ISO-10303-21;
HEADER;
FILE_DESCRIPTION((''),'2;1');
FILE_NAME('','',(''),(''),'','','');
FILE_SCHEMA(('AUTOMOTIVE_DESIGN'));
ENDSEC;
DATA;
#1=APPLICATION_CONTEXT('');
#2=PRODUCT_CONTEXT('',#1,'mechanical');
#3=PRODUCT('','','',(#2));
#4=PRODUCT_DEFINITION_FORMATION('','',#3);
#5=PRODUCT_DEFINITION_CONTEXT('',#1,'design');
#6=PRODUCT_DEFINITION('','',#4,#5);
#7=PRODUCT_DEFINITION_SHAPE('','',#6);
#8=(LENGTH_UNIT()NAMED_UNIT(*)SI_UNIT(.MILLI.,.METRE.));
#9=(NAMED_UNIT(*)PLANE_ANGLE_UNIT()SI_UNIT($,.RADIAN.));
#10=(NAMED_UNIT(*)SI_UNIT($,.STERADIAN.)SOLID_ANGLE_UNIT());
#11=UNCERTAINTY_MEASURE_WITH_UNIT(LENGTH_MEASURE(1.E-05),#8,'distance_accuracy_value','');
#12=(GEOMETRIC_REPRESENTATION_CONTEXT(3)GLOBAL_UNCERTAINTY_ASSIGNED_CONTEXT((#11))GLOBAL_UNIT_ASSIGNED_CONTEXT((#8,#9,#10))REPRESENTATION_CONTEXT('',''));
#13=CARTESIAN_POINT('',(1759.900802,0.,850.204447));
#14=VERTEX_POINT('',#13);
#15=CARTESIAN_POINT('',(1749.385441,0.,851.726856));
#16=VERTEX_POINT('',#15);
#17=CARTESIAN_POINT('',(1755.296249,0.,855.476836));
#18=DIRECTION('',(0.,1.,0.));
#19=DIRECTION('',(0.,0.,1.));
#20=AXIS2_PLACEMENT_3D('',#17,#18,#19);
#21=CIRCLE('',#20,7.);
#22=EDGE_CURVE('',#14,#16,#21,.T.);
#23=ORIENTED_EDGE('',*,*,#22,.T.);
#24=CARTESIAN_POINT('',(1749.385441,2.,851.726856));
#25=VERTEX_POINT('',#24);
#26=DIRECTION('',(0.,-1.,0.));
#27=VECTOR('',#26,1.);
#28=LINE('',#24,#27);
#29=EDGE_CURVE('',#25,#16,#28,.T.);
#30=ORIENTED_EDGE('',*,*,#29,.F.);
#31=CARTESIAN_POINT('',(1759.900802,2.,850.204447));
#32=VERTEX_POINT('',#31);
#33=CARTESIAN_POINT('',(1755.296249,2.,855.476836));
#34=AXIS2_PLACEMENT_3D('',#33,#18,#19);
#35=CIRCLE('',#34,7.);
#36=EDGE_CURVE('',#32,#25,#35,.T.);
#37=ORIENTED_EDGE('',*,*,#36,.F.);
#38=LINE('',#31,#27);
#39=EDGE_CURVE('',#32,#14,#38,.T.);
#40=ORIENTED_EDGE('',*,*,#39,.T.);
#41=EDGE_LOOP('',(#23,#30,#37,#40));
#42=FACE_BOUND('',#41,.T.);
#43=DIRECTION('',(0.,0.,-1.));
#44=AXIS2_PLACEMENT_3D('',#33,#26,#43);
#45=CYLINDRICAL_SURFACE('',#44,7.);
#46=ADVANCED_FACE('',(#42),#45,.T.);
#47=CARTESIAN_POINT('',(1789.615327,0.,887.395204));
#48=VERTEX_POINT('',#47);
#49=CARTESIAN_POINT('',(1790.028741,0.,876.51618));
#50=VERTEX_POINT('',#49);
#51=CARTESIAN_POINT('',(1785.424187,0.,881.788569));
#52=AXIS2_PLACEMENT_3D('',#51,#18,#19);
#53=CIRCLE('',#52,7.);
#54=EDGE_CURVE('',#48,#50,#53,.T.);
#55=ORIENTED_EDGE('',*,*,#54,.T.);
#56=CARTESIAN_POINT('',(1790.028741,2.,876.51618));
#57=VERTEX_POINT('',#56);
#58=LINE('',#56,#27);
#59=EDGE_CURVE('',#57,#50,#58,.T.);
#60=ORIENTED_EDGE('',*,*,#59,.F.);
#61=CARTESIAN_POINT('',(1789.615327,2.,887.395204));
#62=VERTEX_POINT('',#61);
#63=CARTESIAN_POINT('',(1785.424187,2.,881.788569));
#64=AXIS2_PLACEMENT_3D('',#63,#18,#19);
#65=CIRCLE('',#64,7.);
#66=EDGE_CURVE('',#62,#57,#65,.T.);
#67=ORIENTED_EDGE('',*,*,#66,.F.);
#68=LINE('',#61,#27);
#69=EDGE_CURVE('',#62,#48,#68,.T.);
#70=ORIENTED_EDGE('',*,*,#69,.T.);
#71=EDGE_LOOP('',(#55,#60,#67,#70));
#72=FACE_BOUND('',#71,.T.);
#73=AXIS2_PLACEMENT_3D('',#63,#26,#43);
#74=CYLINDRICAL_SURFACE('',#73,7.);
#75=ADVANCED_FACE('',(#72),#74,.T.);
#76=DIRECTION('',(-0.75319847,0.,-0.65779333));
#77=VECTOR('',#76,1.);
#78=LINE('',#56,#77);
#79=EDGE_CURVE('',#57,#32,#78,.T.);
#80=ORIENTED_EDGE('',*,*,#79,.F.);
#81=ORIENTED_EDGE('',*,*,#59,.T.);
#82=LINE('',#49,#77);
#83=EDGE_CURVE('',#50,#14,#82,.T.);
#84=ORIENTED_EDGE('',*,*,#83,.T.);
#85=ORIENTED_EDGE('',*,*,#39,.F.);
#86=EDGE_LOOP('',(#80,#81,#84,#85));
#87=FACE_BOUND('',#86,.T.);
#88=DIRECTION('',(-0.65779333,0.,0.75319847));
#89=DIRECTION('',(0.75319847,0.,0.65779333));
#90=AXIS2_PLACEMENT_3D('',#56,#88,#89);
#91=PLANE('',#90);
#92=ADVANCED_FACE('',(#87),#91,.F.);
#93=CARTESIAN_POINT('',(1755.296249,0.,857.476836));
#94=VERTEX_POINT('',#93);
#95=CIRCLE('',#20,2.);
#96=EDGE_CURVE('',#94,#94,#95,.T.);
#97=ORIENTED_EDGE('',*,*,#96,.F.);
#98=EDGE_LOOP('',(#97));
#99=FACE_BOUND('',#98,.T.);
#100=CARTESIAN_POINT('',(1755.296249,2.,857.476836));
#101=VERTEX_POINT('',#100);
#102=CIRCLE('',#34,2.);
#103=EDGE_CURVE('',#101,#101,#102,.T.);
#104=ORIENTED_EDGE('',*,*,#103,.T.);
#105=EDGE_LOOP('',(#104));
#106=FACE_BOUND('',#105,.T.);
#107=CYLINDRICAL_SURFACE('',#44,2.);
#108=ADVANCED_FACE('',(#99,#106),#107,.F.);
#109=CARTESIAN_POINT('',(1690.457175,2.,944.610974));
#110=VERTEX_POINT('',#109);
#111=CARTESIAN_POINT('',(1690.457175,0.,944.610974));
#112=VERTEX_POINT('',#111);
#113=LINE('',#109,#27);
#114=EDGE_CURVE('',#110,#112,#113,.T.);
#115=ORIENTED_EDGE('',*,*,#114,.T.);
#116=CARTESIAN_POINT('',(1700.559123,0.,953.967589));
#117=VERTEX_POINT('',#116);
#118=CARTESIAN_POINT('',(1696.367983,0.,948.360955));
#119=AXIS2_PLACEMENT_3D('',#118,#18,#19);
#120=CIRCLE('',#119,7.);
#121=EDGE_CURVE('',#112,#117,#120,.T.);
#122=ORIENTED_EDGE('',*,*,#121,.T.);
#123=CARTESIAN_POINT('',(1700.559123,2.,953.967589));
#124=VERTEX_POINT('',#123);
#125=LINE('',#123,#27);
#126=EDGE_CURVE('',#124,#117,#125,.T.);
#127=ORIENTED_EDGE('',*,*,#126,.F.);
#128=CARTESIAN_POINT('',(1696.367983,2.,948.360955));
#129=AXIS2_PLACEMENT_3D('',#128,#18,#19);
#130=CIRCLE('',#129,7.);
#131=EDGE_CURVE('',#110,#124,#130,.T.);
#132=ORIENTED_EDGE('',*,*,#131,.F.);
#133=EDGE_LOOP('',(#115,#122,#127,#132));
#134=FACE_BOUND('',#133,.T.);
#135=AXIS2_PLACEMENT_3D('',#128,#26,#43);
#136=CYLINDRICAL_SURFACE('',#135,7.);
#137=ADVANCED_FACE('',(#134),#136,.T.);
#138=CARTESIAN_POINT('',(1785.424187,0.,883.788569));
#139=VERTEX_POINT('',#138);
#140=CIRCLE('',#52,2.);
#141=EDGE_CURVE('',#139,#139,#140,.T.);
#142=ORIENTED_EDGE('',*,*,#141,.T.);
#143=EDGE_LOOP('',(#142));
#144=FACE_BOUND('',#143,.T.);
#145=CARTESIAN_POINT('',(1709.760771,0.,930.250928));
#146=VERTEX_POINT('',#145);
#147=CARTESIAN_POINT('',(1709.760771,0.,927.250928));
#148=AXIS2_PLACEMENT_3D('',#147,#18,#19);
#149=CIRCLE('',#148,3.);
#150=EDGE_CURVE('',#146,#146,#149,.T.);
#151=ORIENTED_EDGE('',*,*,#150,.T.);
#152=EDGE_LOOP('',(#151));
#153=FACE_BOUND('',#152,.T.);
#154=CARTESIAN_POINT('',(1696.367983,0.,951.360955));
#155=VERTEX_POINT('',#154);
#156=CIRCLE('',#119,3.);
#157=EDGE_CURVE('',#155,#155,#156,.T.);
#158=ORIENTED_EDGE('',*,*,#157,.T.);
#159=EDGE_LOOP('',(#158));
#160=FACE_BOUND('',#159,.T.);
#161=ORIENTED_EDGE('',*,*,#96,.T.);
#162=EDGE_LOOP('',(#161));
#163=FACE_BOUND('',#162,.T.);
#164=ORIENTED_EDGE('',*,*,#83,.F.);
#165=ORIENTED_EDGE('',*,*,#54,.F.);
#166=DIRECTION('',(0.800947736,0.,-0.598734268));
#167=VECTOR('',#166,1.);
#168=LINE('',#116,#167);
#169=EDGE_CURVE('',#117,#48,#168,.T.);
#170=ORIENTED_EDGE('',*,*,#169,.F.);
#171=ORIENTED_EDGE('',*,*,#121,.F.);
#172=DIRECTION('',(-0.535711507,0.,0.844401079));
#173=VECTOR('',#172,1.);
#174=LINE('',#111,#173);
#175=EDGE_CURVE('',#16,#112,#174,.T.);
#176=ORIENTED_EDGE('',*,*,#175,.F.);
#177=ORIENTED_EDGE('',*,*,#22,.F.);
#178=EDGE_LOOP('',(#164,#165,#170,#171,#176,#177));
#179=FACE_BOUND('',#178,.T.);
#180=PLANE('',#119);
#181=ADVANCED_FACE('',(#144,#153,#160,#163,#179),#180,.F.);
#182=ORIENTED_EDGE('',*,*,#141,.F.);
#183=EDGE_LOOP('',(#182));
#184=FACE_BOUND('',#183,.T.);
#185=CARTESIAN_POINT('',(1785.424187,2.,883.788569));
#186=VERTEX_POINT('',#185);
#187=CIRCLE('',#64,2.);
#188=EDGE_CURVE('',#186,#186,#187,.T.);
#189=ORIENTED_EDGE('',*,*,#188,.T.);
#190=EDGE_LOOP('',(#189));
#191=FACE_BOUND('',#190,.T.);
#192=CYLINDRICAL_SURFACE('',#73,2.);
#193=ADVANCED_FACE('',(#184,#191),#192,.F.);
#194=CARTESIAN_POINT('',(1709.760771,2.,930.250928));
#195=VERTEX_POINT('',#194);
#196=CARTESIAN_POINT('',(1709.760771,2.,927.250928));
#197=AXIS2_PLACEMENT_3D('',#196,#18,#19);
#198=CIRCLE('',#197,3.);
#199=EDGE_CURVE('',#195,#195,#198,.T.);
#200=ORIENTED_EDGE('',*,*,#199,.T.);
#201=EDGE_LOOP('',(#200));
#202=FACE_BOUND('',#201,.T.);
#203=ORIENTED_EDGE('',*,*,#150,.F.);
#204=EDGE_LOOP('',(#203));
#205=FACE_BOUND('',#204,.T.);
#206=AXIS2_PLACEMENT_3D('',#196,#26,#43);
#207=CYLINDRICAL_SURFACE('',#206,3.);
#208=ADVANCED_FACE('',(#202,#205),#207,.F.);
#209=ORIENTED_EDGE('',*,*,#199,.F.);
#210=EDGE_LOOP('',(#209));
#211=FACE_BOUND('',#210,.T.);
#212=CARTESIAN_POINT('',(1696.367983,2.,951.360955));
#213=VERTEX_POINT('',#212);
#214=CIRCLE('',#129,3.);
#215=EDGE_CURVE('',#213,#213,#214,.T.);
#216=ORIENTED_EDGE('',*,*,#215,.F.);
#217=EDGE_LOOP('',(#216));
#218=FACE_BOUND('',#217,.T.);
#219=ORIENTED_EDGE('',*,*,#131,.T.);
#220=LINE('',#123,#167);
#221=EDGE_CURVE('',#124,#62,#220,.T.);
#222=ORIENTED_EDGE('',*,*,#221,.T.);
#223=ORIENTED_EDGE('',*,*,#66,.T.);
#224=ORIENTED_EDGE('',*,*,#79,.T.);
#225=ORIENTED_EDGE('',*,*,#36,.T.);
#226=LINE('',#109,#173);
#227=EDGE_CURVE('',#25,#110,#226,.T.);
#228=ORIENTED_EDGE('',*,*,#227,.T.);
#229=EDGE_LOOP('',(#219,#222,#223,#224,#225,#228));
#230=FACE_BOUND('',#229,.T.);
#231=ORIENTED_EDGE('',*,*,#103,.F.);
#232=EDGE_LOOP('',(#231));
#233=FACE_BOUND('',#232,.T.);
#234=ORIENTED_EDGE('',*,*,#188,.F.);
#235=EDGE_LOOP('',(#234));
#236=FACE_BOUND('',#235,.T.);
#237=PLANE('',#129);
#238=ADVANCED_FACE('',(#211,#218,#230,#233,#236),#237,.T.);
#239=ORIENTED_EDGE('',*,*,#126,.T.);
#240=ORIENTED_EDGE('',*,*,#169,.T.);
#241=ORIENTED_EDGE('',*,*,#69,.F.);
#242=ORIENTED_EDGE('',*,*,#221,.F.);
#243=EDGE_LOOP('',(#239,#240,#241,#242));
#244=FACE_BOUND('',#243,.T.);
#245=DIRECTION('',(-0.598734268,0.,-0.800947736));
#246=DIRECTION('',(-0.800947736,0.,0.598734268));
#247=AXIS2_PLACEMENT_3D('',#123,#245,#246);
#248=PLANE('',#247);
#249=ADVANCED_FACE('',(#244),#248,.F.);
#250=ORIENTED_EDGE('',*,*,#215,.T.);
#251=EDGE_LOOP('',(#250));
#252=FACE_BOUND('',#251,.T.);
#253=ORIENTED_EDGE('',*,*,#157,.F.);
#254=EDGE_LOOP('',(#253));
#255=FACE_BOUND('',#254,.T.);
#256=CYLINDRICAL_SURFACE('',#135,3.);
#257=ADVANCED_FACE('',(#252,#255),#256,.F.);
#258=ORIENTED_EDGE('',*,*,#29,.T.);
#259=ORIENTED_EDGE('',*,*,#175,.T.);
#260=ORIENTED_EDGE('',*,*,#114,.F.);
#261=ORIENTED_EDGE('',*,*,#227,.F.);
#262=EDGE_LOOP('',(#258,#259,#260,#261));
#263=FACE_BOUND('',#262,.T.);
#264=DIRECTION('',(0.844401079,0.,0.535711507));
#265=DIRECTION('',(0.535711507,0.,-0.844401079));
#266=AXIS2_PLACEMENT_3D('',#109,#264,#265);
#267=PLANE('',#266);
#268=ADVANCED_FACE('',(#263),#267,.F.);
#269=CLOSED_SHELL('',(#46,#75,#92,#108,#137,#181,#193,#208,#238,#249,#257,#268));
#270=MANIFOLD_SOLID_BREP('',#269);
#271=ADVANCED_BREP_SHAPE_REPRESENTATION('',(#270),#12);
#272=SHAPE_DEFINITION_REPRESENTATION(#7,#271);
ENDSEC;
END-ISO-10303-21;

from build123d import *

# Parameters (mm, degrees)
SZKIC1_R                    = 2
SZKIC1_R_2                  = 3
DODANIE_WYCI_GNI_CIE1_DEPTH = 2


with BuildPart() as part:
    # Szkic1 → Dodanie-wyciągnięcie1 (new body)
    with BuildSketch(Plane(origin=(0, 0, 0), x_dir=(1, 0, 0), z_dir=(0, 1, 0))):
        with BuildLine():
            Line((1700.559122815, -953.967589017), (1789.615327329, -887.395203569))
            ThreePointArc((1789.615327329, -887.395203569), (1792.419138662, -882.05438434), (1790.028740764, -876.516180127))
            Line((1790.028740764, -876.516180127), (1759.900801977, -850.204446919))
            ThreePointArc((1759.900801977, -850.204446919), (1754.293249598, -848.549066517), (1749.385441114, -851.726855661))
            Line((1749.385441114, -851.726855661), (1690.457175388, -944.610974317))
            ThreePointArc((1690.457175388, -944.610974317), (1691.611316681, -953.496529428), (1700.559122815, -953.967589017))
        make_face()
        with Locations((1755.296248665, -855.476836207)):
            Circle(SZKIC1_R, mode=Mode.SUBTRACT)
        with Locations((1785.424187453, -881.788569415)):
            Circle(SZKIC1_R, mode=Mode.SUBTRACT)
        with Locations((1696.367982939, -948.360954863)):
            Circle(SZKIC1_R_2, mode=Mode.SUBTRACT)
        with Locations((1709.760770604, -927.250927896)):
            Circle(SZKIC1_R_2, mode=Mode.SUBTRACT)
    extrude(amount=DODANIE_WYCI_GNI_CIE1_DEPTH)


solid = part.part
